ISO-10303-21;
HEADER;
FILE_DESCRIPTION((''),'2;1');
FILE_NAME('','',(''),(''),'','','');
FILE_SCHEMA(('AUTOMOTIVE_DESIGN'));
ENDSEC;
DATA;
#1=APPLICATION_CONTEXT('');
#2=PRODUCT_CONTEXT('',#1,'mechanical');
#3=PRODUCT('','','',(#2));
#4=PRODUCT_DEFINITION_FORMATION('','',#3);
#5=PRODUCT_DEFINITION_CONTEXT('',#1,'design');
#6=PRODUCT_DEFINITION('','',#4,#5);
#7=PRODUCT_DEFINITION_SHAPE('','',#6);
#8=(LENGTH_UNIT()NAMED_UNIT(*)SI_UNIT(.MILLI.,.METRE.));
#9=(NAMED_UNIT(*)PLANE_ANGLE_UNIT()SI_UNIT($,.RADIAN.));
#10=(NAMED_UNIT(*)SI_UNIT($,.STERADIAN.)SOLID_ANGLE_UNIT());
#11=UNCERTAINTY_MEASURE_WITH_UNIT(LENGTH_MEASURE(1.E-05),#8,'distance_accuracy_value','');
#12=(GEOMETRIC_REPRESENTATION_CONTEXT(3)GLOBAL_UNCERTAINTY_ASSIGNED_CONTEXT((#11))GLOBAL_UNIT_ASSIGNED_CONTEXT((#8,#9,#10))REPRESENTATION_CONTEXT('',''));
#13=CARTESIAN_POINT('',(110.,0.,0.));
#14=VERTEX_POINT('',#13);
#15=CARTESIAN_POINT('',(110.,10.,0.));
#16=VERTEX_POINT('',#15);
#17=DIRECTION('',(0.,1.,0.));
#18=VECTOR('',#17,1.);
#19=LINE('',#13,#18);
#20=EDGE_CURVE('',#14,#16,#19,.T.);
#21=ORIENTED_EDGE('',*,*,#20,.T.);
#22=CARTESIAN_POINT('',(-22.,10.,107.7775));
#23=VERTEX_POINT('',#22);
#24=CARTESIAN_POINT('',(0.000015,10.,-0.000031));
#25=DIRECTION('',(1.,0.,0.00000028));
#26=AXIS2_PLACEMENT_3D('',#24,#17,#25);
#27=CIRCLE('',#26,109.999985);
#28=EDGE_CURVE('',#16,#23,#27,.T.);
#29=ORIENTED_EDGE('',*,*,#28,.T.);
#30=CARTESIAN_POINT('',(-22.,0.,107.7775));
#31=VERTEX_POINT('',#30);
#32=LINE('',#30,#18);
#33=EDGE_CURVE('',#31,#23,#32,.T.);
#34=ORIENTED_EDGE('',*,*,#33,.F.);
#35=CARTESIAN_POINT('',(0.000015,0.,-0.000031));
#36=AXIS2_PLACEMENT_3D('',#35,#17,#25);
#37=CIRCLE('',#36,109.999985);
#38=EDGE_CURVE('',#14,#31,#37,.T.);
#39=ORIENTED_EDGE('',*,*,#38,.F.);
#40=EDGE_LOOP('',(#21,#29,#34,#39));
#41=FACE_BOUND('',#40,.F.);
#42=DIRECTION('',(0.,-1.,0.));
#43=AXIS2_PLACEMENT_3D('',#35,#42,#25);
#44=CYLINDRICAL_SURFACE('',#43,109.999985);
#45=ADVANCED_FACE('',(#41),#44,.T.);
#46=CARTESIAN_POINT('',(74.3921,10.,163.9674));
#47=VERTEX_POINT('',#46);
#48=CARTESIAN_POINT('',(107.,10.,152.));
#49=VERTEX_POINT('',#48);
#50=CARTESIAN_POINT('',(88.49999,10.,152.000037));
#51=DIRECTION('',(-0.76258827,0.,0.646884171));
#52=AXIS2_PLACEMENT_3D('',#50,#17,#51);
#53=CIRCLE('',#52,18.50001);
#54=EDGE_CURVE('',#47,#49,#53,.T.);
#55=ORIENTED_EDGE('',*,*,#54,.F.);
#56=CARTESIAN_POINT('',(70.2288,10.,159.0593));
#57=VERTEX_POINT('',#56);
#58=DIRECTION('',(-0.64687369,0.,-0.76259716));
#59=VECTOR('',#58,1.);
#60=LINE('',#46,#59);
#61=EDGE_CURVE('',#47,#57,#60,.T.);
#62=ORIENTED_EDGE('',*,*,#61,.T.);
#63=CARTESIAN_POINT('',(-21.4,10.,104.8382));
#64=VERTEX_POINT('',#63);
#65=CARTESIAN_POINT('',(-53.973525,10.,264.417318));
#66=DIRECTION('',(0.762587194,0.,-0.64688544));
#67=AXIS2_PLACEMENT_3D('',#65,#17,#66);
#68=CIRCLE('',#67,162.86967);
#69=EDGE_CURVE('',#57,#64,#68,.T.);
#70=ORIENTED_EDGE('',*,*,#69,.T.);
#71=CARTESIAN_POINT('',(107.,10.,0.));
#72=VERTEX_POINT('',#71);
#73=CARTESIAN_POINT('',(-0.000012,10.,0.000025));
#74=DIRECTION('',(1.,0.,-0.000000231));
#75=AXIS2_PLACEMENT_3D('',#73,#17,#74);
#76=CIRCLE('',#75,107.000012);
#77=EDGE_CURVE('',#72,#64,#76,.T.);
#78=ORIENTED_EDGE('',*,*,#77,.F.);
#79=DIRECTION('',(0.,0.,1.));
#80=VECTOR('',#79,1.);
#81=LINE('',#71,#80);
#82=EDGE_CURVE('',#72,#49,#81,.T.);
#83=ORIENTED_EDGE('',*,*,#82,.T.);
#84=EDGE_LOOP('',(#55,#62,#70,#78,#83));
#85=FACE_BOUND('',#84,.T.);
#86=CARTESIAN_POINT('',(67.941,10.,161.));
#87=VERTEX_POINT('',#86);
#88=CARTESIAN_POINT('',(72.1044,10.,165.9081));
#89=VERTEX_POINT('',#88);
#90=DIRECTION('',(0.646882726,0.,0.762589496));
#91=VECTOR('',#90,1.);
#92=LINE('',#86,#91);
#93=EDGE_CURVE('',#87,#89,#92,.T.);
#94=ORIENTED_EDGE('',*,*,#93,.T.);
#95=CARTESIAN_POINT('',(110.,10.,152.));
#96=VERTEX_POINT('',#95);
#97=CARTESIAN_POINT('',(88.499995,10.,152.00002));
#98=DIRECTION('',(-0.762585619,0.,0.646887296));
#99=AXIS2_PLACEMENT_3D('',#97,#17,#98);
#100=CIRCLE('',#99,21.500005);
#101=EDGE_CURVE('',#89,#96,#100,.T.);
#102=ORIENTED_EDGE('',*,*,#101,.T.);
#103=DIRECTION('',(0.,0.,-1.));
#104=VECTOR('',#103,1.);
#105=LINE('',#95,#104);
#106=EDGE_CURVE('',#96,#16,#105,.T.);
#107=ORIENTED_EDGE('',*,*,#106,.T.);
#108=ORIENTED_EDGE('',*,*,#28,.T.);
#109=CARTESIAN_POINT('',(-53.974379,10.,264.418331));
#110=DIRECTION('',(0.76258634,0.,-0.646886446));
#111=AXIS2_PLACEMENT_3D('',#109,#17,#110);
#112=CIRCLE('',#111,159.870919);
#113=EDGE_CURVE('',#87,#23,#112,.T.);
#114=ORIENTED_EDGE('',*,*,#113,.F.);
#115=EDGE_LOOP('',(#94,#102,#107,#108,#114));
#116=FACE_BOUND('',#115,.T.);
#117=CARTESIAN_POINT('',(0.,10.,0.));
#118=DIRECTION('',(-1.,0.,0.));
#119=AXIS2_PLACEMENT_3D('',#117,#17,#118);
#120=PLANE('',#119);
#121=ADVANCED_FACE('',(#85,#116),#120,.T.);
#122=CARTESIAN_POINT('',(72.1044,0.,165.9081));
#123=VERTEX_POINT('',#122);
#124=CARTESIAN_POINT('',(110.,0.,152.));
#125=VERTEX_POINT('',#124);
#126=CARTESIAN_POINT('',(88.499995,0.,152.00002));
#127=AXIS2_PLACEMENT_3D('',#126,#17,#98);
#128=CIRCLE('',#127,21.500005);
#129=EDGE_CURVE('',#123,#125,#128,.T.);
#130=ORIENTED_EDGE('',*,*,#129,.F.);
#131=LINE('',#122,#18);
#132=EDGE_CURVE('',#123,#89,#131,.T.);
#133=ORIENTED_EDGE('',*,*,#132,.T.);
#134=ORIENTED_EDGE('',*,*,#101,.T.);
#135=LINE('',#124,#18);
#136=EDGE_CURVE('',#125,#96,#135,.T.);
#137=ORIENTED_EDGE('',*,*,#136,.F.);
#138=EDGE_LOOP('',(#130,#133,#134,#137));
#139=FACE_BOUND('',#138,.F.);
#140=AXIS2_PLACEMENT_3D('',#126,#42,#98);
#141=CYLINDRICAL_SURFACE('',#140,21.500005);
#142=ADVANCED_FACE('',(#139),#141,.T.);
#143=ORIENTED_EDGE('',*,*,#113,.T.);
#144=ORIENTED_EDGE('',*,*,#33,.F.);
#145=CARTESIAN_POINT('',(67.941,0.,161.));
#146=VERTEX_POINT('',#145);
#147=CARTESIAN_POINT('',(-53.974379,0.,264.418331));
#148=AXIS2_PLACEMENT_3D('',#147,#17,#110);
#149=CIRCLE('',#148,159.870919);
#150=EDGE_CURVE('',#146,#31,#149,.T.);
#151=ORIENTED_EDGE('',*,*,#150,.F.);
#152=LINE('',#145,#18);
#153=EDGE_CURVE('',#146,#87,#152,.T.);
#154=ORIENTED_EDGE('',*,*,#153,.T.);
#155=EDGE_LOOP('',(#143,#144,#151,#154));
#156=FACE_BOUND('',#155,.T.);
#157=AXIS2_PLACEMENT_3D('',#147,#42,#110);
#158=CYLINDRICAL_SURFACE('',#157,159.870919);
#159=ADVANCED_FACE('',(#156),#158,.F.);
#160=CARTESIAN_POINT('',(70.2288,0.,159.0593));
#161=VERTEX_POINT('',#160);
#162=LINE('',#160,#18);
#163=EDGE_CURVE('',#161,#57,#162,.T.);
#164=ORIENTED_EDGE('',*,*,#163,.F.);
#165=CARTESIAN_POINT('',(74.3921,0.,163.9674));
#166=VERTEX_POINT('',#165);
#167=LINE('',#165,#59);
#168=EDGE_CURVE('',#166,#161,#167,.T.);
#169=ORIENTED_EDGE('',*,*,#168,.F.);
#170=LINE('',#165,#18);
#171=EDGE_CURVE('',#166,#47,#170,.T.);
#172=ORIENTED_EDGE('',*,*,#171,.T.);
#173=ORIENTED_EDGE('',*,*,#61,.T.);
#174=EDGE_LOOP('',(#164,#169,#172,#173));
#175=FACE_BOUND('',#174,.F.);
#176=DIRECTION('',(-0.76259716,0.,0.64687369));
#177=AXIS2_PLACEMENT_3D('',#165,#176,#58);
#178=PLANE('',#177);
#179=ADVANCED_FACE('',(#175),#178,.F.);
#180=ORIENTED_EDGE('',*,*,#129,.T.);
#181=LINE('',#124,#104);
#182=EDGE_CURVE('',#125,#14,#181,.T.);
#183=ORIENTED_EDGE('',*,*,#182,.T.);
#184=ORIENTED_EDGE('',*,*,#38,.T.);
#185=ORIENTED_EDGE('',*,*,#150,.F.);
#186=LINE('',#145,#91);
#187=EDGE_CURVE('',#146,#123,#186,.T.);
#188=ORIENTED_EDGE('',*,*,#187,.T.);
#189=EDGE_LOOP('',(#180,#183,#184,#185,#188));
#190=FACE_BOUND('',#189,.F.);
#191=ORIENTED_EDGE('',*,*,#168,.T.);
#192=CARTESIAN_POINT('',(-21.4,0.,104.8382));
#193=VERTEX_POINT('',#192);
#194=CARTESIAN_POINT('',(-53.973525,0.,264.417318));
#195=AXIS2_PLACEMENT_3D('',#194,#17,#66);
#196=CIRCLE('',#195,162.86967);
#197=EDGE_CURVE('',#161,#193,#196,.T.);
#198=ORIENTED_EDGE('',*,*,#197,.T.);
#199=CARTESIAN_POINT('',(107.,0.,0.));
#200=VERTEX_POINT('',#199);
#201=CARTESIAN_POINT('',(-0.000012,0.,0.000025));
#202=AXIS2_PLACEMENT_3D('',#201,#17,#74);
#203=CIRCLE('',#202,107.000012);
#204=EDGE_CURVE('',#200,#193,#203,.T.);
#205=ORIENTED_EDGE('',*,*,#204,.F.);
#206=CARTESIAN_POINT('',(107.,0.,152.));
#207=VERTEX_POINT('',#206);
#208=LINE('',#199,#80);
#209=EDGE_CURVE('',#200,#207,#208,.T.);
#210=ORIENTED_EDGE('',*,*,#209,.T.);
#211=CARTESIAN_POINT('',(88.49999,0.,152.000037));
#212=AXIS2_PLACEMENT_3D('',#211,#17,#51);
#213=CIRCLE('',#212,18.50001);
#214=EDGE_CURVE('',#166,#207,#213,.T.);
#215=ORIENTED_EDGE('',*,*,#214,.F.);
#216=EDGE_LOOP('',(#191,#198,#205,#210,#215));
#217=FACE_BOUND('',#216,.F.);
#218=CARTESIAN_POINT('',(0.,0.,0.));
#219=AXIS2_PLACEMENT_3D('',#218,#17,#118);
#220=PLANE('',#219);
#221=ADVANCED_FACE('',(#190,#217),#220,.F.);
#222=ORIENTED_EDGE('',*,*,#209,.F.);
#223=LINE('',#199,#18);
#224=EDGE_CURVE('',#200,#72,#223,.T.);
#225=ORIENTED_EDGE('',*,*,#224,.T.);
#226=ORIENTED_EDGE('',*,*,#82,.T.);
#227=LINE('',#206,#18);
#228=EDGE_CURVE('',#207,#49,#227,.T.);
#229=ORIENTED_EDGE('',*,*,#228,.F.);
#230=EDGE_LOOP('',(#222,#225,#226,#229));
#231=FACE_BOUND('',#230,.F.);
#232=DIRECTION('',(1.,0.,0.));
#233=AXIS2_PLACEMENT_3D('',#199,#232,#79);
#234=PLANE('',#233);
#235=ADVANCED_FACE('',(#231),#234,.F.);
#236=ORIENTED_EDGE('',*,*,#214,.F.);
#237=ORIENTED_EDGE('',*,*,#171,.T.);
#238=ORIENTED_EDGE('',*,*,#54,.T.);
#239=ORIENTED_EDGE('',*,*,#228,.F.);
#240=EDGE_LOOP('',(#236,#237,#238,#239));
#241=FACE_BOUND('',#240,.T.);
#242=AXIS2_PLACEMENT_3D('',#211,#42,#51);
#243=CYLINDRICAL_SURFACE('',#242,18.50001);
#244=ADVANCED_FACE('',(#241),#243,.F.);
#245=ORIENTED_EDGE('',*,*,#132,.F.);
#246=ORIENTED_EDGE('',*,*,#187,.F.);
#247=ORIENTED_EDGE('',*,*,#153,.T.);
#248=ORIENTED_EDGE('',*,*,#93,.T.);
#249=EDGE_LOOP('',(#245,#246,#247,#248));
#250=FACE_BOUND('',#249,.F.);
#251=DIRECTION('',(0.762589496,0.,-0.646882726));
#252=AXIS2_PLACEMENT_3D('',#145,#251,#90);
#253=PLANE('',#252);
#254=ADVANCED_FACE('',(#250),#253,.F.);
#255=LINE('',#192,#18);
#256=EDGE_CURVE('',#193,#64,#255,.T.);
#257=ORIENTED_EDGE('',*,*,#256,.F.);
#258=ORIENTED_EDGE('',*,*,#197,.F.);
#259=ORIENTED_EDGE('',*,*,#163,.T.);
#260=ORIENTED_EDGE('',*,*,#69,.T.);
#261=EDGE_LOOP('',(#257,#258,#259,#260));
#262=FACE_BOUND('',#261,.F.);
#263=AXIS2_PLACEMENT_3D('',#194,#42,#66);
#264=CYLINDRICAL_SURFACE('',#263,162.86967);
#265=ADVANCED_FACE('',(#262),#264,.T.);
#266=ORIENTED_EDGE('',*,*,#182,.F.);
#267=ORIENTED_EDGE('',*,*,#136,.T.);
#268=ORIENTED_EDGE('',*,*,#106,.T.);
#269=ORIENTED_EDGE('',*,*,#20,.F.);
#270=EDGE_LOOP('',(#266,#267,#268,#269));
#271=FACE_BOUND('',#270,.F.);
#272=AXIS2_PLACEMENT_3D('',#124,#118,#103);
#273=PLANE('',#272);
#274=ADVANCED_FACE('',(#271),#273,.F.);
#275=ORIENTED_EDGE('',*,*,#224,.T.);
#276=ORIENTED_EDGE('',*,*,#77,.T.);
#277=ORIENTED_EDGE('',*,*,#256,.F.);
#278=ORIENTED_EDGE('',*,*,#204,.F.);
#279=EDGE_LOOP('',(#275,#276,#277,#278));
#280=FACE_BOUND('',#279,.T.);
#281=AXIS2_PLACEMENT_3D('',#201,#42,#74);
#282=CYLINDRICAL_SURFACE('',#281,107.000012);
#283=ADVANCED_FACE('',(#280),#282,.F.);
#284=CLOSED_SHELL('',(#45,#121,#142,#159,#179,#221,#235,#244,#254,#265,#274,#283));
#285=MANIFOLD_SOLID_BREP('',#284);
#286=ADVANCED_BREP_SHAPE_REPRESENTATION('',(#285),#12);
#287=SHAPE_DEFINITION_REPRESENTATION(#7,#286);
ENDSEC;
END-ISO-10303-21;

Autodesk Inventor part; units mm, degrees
ref_plane "YZ Plane" through (0, 0, 0) normal (1, 0, 0) x (0, 1, 0)
ref_plane "XZ Plane" through (0, 0, 0) normal (0, 1, 0) x (-1, 0, 0)
ref_plane "XY Plane" through (0, 0, 0) normal (0, 0, 1) x (1, 0, 0)
sketch "Sketch1" plane through (0, 0, 0) normal (0, 1, 0) x (-1, 0, 0)
  line L0 (-74.3921, 163.9674) -> (-70.2288, 159.0593)
  line L1 (-107, 0) -> (-107, 152)
  line L2 (-67.941, 161) -> (-72.1044, 165.9081)
  line L3 (-110, 152) -> (-110, 0)
  arc A0 (-107, 0) -> (21.4, 104.8382) centre (0, 0) ccw
  arc A1 (-70.2288, 159.0593) -> (21.4, 104.8382) centre (53.9741, 264.418) ccw
  arc A2 (-74.3921, 163.9674) -> (-107, 152) centre (-88.5, 152) ccw
  arc A3 (-72.1044, 165.9081) -> (-110, 152) centre (-88.5, 152) ccw
  arc A4 (-67.941, 161) -> (22, 107.7775) centre (53.9741, 264.418) ccw
  arc A5 (-110, 0) -> (22, 107.7775) centre (0, 0) ccw
  dimension "d0" = 0
  dimension "d1" = 110
  dimension "d2" = 107
  dimension "d3" = 175.887
  dimension "d4" = 18.5
  dimension "d5" = 21.5
  dimension "d6" = 159.8705
  dimension "d7" = 162.8705
  dimension "d8" = 269.8705
  dimension "d9" = 152
  dimension "d10" = 152
  dimension "d11" = 88.5
  dimension "d12" = 3
extrude "Extrusion1" add sketch "Sketch1" along normal blind 10
properties part number "50-01-002"
